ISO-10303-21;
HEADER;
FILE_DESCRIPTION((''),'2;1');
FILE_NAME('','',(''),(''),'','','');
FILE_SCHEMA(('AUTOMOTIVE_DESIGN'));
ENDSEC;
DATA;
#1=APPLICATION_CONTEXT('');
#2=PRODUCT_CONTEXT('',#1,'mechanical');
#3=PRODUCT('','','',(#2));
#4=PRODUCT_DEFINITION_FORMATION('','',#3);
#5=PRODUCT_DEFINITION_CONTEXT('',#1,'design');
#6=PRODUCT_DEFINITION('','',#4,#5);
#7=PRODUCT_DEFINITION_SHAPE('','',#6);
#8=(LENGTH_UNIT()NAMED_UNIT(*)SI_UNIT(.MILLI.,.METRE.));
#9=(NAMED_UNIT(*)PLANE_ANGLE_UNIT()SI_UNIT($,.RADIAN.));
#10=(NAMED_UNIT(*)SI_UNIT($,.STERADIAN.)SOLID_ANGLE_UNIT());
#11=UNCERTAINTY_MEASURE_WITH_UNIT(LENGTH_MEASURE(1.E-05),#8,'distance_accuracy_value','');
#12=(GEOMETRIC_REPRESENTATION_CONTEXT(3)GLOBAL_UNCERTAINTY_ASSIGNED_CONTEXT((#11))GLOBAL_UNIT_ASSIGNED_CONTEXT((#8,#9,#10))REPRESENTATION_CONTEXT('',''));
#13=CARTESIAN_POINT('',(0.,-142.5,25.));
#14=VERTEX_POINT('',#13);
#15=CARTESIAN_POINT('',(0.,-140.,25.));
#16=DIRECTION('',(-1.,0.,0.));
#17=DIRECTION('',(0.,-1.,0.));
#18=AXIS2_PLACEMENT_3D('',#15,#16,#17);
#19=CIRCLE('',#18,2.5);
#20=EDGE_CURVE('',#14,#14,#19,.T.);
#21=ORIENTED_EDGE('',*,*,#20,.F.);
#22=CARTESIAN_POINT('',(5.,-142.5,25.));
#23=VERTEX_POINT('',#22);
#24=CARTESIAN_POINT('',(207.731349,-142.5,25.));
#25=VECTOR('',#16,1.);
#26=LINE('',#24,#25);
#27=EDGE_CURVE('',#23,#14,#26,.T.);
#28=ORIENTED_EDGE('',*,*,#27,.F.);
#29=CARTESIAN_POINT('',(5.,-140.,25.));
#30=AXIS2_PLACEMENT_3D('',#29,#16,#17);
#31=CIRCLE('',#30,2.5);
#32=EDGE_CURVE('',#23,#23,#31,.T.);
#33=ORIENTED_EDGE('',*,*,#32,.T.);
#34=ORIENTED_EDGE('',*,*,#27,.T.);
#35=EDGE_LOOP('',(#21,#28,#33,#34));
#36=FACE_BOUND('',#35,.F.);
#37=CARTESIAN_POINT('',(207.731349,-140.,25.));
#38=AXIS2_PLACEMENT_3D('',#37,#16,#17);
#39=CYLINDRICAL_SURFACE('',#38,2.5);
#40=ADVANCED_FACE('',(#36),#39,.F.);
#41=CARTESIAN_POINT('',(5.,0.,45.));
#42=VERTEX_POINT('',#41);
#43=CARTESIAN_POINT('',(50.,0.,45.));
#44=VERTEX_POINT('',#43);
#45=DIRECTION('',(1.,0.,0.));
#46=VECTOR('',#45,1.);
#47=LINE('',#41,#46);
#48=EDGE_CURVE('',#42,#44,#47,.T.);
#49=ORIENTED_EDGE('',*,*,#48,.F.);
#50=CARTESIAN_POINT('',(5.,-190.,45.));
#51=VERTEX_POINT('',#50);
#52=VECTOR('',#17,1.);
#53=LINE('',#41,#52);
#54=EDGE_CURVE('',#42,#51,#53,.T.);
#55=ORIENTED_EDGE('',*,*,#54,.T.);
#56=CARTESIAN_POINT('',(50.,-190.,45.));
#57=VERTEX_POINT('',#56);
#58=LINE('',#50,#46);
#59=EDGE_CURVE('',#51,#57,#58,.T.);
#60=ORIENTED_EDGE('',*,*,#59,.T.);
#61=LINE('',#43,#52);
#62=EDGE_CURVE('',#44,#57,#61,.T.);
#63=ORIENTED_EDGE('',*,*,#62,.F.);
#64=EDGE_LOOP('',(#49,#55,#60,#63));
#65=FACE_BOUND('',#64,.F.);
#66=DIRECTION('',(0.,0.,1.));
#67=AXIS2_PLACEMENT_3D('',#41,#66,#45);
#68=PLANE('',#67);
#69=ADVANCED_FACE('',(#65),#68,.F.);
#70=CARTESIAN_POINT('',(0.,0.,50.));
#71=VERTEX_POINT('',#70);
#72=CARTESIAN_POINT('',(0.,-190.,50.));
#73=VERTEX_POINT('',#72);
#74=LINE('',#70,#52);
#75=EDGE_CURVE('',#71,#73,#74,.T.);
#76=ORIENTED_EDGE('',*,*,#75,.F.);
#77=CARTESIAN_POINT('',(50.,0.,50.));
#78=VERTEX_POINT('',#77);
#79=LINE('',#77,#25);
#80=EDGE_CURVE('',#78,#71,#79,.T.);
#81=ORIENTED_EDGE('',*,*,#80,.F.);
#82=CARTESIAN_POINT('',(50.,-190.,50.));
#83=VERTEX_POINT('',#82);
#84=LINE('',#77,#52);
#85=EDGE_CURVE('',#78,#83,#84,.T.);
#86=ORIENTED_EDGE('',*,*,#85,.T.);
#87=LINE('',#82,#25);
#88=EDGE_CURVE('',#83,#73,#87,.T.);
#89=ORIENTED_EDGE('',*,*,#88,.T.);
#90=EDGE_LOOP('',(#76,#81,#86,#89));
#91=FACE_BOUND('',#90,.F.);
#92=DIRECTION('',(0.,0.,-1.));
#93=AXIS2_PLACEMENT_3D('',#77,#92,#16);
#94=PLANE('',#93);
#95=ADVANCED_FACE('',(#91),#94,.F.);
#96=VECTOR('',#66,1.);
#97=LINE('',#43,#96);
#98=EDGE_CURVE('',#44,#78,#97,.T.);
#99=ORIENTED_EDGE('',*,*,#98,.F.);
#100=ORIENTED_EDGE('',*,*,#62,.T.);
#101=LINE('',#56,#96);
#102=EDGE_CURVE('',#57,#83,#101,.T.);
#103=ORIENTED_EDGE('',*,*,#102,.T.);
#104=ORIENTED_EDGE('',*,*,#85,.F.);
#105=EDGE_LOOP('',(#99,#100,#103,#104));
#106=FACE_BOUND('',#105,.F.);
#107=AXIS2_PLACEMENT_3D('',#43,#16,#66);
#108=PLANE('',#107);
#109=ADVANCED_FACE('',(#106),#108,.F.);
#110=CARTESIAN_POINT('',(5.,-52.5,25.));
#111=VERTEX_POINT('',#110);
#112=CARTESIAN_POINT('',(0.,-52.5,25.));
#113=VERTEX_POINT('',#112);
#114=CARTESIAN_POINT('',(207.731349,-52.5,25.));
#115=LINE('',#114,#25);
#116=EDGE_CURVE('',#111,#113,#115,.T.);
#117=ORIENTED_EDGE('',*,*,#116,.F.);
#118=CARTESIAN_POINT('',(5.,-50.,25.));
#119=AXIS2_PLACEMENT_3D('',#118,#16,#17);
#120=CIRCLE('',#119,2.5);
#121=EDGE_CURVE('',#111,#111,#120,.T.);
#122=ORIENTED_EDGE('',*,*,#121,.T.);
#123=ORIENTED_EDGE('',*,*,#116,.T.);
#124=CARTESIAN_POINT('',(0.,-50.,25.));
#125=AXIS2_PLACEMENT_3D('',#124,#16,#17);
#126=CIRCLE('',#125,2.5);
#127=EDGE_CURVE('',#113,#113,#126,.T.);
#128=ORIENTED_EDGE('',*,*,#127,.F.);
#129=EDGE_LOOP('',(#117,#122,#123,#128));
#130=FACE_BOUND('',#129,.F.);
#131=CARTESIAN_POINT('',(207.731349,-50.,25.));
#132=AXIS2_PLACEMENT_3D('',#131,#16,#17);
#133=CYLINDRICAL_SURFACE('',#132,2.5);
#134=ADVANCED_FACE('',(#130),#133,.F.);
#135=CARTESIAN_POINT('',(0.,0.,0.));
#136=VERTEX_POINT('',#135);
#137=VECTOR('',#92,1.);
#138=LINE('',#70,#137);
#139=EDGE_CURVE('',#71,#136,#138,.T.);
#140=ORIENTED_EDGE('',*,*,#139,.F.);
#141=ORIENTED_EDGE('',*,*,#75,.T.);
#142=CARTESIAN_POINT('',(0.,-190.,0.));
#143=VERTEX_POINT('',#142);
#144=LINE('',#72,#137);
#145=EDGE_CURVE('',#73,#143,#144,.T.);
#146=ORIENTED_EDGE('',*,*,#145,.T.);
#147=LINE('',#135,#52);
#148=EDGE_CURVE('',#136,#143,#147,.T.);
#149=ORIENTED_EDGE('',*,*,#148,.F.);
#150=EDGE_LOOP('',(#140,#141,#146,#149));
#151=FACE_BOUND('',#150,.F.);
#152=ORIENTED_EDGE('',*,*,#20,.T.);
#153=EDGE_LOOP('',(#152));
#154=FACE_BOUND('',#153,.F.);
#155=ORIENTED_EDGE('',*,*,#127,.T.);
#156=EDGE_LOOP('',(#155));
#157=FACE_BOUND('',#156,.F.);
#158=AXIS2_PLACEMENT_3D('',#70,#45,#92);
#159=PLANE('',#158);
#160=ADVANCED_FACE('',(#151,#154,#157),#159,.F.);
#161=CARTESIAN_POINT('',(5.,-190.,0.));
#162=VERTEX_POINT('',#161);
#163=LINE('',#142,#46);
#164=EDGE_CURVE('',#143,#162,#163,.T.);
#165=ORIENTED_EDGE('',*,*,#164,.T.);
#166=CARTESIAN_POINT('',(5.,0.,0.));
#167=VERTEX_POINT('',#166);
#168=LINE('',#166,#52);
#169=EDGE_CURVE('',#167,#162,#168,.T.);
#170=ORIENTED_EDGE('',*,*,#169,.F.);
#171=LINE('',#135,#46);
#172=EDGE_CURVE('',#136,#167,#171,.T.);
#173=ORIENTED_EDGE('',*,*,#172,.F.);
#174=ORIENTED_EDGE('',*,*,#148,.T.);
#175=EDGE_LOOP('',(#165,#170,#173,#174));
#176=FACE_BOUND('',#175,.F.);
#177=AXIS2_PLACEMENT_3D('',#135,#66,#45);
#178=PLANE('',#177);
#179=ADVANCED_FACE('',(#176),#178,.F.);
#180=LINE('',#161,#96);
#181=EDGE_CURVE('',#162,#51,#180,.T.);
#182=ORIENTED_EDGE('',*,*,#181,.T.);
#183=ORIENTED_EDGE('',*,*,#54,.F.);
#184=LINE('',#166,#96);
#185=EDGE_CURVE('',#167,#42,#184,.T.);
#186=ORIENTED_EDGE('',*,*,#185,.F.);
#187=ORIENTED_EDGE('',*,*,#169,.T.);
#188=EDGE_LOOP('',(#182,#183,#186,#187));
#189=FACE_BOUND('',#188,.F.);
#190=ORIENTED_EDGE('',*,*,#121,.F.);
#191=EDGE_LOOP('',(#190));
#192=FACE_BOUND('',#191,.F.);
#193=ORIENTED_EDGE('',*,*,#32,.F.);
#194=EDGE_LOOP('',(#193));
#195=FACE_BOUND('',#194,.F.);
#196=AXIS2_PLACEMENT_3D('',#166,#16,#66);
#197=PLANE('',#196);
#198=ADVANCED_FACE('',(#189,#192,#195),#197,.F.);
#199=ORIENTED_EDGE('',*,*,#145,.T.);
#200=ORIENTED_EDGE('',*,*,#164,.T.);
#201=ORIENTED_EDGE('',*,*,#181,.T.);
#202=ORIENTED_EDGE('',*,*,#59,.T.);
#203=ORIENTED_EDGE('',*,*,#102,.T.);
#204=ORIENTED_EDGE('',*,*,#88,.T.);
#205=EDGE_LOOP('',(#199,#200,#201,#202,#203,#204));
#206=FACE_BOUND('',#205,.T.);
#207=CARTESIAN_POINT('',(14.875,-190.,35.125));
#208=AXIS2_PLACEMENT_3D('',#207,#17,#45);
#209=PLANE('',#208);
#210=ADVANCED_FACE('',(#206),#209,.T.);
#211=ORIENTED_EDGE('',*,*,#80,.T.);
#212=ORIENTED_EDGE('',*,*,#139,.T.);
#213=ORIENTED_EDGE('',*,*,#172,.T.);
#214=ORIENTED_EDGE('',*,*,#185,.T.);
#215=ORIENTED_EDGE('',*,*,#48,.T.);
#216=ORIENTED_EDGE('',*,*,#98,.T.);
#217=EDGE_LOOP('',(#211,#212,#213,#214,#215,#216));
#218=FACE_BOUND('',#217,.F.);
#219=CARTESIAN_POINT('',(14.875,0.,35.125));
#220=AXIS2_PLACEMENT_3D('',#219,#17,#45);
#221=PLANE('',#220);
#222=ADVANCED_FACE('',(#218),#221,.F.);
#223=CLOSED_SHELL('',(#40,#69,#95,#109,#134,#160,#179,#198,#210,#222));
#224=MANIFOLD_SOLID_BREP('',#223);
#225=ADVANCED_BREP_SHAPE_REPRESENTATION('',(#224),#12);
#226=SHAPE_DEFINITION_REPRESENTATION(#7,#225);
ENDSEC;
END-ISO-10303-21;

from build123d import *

# Parameters (mm, degrees)
F1_DEPTH = 190
F3_D     = 5


with BuildPart() as f1:
    # F0 (on Front) → F1 (new body)
    with BuildSketch(Plane.XZ):
        Polygon((0, 50), (0, 0), (5, 0), (5, 45), (50, 45), (50, 50), align=None)
    extrude(amount=F1_DEPTH)

    # F3 (through all)
    with Locations(Plane.YZ.offset(5)):
        with Locations((-140, 25), (-50, 25)):
            Hole(F3_D / 2)


solid = f1.part
